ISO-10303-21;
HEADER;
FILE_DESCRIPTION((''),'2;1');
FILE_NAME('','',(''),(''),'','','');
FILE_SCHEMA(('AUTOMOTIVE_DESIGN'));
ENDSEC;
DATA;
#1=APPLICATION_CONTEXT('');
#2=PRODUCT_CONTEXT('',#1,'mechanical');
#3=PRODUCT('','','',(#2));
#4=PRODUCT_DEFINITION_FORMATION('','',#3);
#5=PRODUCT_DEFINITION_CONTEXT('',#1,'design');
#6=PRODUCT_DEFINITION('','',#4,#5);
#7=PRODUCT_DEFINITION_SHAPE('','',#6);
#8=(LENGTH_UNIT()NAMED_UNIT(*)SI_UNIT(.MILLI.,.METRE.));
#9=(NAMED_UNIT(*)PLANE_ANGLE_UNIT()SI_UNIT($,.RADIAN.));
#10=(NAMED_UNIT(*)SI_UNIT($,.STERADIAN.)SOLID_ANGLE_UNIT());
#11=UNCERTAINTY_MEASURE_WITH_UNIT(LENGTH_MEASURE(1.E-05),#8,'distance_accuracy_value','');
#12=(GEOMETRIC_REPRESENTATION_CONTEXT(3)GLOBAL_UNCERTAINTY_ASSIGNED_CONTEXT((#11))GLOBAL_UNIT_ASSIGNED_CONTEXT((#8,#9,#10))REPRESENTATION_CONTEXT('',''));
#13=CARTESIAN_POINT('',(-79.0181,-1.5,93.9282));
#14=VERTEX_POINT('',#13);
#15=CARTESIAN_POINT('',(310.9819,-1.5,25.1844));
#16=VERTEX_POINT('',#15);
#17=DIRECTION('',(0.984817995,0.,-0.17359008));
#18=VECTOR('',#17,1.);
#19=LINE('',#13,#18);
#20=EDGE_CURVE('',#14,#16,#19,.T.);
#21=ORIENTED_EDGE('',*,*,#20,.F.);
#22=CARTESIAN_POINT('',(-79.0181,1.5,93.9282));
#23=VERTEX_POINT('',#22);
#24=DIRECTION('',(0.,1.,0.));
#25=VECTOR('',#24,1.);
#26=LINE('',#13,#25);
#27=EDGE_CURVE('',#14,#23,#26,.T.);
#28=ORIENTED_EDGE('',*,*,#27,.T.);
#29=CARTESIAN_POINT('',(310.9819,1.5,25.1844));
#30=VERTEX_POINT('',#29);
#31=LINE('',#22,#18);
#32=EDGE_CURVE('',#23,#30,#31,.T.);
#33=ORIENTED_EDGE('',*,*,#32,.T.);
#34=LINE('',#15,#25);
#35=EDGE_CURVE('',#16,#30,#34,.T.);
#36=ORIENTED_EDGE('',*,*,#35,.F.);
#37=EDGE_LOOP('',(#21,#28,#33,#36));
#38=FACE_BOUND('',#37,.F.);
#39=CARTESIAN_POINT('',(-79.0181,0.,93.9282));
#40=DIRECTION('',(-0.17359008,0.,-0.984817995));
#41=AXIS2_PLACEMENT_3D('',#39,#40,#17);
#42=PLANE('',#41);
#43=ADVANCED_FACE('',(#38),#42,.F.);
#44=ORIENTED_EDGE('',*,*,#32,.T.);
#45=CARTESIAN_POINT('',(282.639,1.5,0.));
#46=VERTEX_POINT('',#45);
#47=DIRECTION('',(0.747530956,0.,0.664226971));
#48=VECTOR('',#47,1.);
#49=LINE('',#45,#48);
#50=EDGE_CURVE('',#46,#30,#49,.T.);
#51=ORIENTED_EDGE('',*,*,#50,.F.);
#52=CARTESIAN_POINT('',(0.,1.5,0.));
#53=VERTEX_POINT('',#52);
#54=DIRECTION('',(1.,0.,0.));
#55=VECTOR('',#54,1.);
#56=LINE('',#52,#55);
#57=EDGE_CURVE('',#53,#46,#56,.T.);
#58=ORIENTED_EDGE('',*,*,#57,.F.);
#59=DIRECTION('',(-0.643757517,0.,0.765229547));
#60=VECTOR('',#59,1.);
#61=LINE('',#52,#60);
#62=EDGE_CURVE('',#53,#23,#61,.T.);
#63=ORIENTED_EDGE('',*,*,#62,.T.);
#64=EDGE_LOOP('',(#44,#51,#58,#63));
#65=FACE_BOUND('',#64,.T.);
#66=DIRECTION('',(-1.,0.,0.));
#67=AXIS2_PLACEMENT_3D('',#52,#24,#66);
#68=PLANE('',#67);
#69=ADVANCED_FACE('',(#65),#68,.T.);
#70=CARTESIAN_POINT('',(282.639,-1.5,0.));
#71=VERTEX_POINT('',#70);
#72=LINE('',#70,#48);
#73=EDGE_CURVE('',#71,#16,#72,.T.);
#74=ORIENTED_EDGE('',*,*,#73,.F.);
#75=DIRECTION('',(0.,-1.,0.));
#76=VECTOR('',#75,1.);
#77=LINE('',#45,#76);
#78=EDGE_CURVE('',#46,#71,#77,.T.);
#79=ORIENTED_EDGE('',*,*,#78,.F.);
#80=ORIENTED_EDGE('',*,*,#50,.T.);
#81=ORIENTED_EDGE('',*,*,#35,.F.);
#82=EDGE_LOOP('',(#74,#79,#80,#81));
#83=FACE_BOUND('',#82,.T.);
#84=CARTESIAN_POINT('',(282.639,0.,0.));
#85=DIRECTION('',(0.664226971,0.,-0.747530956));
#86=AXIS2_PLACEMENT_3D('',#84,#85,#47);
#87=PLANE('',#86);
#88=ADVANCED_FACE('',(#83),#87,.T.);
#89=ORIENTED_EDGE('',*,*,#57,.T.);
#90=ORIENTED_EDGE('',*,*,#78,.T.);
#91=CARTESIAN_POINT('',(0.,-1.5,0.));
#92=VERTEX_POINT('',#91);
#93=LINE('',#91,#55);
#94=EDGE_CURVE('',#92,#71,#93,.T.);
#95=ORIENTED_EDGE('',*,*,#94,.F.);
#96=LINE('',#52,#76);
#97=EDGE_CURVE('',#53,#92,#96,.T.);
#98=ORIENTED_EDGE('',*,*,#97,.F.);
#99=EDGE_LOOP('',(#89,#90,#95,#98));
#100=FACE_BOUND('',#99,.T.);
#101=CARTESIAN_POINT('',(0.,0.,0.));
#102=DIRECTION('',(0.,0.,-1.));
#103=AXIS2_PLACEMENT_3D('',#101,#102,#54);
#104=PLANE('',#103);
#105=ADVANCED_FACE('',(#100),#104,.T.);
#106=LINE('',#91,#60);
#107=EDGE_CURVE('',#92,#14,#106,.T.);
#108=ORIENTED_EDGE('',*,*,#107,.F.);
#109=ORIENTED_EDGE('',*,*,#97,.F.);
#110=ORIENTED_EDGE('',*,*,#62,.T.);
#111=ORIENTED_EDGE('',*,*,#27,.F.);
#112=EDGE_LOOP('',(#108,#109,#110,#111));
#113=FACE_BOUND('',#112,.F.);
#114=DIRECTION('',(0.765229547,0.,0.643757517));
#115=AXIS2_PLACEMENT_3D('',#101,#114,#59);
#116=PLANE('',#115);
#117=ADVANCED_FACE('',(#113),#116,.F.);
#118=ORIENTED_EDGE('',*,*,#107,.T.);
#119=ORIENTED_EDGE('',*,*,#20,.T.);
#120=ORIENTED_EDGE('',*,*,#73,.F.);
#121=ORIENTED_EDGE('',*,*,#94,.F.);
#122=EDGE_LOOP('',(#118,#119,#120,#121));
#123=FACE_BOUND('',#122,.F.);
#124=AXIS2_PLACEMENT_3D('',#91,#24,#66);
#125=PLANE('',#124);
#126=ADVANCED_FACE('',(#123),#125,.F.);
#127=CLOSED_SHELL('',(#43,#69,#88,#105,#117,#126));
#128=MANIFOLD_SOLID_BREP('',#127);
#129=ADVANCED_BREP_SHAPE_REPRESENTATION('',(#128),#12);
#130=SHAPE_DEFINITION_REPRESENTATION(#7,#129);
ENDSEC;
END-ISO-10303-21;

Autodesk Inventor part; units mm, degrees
ref_plane "YZ Plane" through (0, 0, 0) normal (1, 0, 0) x (0, 1, 0)
ref_plane "XZ Plane" through (0, 0, 0) normal (0, 1, 0) x (-1, 0, 0)
ref_plane "XY Plane" through (0, 0, 0) normal (0, 0, 1) x (1, 0, 0)
sketch "スケッチ1" plane through (0, 0, 0) normal (0, 1, 0) x (-1, 0, 0)
  line L0 (79.0181, 93.9282) -> (-310.9819, 25.1844)
  line L1 (0, 0) -> (79.0181, 93.9282)
  line L2 (0, 0) -> (-282.639, 0)
  line L3 (-282.639, 0) -> (-310.9819, 25.1844)
  dimension "d1" = 390
  dimension "d2" = 312
extrude "押し出し1" add sketch "スケッチ1" along normal mid plane 3
properties part number "bracket"
